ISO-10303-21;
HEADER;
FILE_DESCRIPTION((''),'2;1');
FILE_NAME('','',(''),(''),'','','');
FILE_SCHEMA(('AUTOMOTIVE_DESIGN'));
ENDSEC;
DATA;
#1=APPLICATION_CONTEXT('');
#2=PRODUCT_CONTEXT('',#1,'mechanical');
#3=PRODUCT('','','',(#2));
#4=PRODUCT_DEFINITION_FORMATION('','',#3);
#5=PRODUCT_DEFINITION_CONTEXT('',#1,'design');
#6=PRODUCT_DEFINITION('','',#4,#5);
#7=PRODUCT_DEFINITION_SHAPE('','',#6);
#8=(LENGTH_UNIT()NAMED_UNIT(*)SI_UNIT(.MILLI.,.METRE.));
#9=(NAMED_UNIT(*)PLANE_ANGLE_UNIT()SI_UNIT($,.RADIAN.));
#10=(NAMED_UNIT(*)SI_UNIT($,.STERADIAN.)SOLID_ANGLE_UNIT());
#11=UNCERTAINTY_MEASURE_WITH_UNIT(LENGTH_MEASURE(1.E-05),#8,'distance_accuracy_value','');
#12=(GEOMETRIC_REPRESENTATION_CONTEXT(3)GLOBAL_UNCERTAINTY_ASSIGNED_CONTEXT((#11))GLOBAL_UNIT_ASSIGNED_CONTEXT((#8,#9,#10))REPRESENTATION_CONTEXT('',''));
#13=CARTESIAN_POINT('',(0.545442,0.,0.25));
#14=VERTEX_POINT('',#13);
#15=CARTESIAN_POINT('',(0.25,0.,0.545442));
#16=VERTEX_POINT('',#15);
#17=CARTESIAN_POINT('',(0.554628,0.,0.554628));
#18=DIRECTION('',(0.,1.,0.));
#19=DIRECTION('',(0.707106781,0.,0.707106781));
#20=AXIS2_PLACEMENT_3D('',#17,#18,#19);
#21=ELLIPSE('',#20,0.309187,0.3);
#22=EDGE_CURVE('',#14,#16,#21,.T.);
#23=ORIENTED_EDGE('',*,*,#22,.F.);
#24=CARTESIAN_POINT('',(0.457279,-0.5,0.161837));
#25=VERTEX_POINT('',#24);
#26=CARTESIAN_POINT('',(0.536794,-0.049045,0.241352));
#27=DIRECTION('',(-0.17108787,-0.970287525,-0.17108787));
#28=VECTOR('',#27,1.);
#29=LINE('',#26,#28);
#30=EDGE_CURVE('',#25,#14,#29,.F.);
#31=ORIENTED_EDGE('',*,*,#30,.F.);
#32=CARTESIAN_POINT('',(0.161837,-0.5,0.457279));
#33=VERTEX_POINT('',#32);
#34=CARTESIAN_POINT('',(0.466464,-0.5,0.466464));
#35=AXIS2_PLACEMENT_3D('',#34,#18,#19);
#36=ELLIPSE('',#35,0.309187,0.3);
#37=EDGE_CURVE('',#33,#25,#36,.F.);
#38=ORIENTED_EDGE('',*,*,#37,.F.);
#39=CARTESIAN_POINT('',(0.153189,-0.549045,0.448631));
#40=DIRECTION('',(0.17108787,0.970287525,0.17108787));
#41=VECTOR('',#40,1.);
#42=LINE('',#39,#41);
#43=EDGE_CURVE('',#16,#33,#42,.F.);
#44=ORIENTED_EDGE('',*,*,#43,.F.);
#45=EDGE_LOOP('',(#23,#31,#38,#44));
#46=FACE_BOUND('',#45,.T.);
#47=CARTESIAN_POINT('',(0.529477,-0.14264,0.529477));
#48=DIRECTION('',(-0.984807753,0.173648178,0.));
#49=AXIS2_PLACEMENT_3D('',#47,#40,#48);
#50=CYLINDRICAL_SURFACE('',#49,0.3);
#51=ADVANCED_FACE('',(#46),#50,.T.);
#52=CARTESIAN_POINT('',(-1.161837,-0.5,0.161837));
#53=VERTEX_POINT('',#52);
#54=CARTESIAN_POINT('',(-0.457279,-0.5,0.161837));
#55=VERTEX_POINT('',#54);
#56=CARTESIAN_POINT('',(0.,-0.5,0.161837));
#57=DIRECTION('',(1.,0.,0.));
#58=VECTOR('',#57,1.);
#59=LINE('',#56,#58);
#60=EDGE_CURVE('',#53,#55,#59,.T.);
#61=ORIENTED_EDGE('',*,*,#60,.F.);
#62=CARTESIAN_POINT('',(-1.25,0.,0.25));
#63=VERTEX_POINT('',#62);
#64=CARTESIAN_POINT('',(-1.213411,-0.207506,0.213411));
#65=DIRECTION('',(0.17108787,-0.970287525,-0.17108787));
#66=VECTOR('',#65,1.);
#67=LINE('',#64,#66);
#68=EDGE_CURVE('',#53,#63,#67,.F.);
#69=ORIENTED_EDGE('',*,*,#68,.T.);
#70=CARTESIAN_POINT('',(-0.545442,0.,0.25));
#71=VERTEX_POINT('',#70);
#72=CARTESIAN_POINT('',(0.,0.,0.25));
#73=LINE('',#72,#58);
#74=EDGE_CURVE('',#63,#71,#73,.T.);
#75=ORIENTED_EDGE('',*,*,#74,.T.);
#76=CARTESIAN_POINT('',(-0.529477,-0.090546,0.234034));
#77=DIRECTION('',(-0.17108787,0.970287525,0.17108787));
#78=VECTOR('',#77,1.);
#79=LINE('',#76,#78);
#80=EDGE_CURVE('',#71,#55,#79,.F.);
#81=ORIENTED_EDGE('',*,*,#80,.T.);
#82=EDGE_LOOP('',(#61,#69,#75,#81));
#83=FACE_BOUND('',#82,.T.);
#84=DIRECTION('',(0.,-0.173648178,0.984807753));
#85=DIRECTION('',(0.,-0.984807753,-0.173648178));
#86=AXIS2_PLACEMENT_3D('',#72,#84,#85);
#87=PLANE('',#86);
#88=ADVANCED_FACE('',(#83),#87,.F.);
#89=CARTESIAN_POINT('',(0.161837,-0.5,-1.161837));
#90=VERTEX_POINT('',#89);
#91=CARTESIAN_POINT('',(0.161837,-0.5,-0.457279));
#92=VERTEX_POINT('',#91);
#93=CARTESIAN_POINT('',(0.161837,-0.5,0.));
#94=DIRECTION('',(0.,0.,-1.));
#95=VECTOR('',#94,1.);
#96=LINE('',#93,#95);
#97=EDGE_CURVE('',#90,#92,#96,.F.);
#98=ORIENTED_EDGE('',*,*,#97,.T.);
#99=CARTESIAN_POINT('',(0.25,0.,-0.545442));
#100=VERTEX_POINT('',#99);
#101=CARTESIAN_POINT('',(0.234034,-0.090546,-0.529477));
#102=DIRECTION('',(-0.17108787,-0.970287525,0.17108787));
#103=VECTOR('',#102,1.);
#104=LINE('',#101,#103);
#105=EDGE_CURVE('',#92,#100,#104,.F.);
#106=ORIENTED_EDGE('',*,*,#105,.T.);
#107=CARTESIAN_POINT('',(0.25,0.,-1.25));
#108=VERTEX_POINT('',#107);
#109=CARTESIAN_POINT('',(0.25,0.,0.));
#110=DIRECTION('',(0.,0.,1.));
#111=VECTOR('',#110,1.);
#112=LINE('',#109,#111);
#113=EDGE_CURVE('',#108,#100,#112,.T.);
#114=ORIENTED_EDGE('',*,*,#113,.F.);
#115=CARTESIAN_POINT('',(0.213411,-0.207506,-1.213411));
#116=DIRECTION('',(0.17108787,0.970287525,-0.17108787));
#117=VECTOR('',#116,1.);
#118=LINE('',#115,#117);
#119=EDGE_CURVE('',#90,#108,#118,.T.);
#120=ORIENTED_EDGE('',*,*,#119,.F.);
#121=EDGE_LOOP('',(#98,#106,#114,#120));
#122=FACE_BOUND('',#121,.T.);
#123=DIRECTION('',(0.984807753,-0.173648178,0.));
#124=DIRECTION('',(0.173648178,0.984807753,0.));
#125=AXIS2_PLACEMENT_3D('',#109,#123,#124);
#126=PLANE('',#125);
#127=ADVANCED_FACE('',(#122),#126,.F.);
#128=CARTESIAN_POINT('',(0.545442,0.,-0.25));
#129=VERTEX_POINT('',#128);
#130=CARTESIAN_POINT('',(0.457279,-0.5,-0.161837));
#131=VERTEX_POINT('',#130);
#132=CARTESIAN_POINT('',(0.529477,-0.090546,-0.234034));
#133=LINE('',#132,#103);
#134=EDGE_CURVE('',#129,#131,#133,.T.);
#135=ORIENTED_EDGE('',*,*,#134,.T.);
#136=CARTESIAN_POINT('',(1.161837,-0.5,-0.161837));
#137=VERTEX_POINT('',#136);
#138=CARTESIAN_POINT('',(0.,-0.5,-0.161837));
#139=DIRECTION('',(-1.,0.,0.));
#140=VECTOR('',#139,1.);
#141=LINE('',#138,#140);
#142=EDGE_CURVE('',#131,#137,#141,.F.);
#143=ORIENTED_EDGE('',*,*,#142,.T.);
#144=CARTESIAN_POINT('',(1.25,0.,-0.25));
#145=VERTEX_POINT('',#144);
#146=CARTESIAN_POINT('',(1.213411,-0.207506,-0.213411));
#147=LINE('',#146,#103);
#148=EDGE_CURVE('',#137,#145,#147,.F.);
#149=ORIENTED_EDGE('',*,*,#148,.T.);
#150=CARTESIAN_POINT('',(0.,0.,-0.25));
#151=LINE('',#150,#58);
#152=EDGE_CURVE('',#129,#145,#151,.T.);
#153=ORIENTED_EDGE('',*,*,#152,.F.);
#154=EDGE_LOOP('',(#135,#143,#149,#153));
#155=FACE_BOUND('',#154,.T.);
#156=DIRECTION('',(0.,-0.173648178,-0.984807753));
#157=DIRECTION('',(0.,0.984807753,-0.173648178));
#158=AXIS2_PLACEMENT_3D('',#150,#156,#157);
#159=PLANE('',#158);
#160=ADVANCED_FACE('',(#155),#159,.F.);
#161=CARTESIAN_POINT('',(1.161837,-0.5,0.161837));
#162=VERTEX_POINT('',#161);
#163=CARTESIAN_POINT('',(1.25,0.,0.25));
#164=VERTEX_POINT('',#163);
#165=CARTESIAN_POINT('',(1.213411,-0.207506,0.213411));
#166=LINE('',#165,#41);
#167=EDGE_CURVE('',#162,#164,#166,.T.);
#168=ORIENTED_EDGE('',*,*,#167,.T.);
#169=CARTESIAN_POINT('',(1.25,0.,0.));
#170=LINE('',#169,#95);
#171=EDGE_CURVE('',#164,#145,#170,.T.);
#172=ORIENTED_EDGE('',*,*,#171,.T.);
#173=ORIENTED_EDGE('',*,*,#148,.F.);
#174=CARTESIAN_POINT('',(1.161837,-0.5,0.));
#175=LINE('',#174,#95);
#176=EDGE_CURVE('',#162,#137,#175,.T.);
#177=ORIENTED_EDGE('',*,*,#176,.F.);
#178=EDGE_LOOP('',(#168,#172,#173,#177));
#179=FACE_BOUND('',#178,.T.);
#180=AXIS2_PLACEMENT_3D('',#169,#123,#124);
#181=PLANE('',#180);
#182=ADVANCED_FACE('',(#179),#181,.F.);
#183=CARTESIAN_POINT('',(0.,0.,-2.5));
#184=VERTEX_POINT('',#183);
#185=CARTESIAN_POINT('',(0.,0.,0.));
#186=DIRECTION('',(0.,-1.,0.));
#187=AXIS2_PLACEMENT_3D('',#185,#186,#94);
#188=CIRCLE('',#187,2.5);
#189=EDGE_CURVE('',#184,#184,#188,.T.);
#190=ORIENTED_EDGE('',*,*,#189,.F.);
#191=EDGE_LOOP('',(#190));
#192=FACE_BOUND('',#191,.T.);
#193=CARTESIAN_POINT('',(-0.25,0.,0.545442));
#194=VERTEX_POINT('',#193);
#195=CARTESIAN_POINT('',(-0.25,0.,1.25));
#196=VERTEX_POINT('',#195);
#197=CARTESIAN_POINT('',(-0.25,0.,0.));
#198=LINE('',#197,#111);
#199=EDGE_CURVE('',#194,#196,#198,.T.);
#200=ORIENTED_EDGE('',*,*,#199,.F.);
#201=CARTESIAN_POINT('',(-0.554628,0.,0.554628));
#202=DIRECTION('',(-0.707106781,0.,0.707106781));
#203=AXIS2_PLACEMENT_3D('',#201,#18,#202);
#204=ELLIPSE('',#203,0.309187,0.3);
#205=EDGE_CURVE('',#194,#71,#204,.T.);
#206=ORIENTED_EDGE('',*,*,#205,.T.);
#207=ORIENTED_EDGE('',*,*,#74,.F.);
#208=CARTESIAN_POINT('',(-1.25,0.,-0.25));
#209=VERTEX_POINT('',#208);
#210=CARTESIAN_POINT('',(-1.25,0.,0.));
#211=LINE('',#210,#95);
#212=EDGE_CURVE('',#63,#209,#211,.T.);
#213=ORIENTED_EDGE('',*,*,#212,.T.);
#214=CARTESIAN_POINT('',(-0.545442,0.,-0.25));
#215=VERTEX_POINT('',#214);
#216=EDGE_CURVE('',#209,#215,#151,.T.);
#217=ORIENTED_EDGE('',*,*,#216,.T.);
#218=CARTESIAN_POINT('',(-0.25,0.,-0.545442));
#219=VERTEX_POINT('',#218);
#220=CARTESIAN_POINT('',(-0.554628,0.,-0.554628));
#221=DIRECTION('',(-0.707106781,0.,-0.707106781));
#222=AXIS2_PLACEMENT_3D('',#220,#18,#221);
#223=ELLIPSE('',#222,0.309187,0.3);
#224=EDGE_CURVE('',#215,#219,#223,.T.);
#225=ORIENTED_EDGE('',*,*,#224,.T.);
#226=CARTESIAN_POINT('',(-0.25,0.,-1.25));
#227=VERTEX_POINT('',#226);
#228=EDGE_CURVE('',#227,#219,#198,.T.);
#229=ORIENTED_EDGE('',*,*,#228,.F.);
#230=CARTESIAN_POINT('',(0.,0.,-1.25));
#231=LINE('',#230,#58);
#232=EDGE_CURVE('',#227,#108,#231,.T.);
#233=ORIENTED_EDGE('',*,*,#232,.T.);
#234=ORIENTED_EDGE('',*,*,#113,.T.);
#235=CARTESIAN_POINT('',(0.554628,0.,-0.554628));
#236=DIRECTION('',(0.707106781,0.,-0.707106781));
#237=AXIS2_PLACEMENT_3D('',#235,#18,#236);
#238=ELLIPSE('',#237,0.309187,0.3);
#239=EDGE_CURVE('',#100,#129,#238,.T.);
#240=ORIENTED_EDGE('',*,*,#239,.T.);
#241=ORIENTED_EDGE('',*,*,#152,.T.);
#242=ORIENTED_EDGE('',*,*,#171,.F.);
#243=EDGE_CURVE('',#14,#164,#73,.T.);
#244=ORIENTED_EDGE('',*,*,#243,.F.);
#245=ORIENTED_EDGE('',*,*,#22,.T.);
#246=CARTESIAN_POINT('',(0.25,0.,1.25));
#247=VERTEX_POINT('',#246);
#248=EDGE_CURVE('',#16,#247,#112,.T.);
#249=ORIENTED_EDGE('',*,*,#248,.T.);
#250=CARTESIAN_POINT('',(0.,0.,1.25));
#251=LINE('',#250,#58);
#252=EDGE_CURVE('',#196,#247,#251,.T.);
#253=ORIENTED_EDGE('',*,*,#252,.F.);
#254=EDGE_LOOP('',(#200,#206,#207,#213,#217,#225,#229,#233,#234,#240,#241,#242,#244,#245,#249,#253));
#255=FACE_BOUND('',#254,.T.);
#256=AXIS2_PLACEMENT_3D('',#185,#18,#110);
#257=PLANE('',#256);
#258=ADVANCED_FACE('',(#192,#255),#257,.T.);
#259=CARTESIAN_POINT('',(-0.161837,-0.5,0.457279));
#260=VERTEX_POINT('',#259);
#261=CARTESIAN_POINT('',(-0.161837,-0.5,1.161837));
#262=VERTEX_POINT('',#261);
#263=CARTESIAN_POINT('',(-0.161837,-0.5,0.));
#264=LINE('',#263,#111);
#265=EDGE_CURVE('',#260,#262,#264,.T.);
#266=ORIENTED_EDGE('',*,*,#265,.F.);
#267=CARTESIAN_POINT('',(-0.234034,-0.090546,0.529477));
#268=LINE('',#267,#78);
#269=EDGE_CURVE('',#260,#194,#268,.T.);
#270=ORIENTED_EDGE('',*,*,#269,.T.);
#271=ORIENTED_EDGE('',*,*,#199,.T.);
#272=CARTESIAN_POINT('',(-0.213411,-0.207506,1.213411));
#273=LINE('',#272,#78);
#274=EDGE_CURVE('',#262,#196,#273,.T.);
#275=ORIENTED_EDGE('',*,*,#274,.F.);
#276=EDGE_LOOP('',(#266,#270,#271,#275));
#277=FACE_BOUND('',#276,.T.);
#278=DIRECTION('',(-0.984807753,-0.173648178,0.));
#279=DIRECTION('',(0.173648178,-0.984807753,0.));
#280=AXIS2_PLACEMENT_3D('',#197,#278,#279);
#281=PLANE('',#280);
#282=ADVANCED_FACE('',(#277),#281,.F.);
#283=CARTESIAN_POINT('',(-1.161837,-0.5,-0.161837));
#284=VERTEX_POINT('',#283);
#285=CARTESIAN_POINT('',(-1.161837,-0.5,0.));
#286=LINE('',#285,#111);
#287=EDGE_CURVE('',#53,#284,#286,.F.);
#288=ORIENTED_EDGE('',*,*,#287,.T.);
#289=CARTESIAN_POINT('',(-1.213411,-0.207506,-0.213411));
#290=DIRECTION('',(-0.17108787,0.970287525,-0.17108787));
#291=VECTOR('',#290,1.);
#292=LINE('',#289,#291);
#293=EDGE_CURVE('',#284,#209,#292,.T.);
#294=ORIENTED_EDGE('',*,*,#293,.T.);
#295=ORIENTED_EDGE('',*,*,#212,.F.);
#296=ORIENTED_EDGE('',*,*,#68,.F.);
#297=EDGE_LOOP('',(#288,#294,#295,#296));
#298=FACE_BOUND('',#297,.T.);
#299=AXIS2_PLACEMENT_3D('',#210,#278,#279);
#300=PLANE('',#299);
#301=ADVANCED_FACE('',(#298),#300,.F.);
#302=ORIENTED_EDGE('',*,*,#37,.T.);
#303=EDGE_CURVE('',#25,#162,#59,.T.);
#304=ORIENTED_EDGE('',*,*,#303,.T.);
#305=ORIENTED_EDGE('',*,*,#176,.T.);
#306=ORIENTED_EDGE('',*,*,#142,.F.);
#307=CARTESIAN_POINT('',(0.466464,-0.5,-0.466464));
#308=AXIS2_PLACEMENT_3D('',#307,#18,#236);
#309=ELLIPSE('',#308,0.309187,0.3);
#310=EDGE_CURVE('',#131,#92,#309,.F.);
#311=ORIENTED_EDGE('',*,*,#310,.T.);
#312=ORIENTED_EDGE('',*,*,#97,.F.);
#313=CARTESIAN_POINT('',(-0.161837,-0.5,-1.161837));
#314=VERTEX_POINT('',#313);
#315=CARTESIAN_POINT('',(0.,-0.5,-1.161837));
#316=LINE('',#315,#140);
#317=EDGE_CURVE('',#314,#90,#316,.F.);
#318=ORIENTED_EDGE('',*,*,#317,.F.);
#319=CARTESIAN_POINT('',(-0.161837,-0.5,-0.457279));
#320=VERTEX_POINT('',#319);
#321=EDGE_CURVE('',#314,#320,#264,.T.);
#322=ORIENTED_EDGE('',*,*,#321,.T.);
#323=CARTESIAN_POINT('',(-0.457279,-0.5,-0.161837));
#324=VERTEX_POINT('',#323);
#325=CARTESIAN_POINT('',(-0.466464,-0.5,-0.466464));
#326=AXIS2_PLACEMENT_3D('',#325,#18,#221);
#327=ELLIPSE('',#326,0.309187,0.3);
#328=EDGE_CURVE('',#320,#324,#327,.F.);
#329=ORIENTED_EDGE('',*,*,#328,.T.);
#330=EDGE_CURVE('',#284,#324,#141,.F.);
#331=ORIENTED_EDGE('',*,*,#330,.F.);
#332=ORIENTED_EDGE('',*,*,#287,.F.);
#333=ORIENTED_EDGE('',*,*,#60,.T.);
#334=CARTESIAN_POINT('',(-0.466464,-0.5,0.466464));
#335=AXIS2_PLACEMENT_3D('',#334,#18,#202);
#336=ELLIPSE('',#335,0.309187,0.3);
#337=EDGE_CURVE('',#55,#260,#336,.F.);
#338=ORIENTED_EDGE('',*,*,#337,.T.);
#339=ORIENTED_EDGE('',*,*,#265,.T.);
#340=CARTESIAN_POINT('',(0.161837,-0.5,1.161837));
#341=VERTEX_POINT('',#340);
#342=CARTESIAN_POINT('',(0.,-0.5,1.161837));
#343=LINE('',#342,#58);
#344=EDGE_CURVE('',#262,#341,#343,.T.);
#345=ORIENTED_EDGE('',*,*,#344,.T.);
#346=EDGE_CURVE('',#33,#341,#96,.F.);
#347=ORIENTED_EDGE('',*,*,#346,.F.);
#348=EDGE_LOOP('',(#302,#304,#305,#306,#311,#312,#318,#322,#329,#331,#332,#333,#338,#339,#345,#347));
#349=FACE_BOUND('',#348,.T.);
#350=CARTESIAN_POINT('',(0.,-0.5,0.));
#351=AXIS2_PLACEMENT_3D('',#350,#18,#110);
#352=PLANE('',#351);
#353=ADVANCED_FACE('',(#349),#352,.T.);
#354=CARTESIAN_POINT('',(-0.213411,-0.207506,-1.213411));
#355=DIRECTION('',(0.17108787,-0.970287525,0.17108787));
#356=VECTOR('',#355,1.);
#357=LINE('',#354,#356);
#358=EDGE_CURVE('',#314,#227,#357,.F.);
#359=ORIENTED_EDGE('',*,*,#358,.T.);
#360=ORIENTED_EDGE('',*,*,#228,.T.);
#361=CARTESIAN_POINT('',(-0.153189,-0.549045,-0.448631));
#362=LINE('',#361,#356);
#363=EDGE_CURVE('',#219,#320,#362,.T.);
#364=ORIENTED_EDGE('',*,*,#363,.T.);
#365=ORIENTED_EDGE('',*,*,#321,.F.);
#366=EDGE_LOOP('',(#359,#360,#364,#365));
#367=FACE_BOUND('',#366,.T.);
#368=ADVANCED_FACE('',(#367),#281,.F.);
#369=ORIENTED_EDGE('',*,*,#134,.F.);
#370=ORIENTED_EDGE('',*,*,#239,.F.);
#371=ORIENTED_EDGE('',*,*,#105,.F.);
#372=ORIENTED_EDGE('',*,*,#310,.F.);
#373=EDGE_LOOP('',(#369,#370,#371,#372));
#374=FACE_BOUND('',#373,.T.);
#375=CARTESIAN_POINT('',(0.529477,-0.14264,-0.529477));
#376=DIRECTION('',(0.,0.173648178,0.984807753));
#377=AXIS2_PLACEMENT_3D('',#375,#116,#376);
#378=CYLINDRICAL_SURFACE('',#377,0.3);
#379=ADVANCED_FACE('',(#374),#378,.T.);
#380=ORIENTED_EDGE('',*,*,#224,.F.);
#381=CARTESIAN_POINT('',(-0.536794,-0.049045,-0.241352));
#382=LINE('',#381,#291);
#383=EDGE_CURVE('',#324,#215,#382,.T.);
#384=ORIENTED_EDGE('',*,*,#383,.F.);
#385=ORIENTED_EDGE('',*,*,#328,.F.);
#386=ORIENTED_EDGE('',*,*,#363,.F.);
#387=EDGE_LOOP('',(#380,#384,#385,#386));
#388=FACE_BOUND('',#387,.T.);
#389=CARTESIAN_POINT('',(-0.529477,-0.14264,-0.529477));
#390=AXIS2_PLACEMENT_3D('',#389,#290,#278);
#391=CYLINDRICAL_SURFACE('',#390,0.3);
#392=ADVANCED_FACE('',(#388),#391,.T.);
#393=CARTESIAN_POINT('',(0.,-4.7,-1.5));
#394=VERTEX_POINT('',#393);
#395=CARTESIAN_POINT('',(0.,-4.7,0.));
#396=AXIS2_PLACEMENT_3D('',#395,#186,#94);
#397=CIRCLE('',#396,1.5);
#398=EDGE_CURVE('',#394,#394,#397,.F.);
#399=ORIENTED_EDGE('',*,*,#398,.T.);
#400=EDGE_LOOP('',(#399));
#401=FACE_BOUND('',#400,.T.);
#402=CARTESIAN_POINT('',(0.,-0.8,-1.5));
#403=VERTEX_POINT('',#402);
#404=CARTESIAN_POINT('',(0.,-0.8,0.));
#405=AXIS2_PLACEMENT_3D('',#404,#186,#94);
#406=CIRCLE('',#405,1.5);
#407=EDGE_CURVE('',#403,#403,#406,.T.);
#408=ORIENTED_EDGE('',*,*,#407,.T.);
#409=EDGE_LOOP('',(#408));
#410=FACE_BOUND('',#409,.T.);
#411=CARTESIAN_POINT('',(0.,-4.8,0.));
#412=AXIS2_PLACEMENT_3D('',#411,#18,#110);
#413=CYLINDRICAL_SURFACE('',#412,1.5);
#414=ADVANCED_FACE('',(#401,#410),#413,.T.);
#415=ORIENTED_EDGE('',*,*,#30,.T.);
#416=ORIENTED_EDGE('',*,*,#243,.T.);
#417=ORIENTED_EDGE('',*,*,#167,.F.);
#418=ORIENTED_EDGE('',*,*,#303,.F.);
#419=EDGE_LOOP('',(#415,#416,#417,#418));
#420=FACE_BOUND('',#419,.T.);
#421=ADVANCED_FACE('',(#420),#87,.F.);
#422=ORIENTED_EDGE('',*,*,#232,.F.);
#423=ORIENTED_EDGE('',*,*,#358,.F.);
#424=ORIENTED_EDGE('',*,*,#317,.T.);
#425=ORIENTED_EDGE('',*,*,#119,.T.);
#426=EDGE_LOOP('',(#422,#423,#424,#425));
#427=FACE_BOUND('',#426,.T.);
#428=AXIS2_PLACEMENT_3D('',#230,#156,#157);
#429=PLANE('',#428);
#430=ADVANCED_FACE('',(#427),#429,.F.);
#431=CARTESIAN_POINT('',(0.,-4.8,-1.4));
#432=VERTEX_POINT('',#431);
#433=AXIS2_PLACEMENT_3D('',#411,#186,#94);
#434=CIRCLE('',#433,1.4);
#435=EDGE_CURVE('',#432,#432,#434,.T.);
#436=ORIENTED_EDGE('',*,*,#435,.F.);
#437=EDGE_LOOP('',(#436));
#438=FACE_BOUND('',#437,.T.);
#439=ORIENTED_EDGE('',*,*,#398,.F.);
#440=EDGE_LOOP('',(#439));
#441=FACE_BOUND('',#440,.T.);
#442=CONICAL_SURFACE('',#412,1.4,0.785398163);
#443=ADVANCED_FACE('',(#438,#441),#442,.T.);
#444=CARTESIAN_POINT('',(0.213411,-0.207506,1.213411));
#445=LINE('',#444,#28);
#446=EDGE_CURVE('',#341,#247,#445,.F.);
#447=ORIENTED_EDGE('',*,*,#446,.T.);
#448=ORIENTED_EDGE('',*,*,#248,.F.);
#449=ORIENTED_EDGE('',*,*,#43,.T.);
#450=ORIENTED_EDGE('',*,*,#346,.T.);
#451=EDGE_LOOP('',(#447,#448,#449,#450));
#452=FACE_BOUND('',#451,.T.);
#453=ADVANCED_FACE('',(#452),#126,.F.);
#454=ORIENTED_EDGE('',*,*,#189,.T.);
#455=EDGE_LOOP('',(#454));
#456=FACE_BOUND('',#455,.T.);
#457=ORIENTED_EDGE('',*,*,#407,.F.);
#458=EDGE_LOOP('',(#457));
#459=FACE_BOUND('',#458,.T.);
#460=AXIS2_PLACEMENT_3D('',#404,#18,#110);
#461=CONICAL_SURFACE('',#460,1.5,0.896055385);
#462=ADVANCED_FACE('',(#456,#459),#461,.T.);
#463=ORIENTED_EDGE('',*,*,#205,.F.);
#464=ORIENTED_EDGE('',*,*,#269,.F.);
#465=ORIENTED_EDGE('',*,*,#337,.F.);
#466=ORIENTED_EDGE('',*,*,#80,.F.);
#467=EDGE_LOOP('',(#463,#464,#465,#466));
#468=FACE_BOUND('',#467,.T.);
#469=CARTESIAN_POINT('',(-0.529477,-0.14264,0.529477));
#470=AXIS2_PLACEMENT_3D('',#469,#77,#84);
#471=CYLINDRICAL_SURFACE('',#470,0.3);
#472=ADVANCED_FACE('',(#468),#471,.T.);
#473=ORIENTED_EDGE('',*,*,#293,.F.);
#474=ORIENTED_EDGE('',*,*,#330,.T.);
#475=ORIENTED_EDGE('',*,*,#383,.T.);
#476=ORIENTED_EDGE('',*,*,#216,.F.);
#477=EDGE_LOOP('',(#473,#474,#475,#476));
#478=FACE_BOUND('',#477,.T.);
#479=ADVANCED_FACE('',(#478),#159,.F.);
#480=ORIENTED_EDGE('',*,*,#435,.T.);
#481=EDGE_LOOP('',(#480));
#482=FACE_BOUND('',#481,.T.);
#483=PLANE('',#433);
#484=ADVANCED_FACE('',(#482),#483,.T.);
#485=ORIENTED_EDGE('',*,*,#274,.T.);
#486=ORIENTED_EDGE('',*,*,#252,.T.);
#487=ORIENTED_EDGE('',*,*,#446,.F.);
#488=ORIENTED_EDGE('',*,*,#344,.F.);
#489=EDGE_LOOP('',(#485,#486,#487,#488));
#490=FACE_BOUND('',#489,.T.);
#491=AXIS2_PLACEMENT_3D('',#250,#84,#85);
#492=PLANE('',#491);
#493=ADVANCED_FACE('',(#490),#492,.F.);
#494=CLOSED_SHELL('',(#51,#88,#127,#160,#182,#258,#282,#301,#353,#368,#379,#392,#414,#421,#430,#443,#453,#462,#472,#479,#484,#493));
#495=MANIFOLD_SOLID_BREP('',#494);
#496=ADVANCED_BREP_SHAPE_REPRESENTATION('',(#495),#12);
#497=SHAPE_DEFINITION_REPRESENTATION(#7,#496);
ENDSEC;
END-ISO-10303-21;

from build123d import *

# Parameters (mm, degrees)
SKETCH_2_R                    = 1.5
EXTRUDE_1_DEPTH               = 4
CHAMFER_1_SIZE                = 0.1
SKETCH_3_W                    = 2.5
SKETCH_3_H                    = 0.5
CUT_EXTRUDE_1_DEPTH           = 0.5
CUT_EXTRUDE_1_DRAFT           = -10
SKETCH_3_W_2                  = 0.5
SKETCH_3_H_2                  = 2.5
CUT_EXTRUDE_1_PROFILE_2_DEPTH = 0.5
CUT_EXTRUDE_1_PROFILE_2_DRAFT = -10
FILLET_1_R                    = 0.3


with BuildPart() as part:
    # 草图1 → 旋转1 (revolve)
    with BuildSketch(Plane.XY, mode=Mode.PRIVATE) as revolve_1_sk:
        Polygon((0, 0), (2.5, 0), (1.5, -0.8), (0, -0.8), align=None)
    revolve(revolve_1_sk.sketch.rotate(Axis((0, -0.8, 0), (0, 1, 0)), 90), axis=Axis((0, -0.8, 0), (0, 1, 0)))

    # 草图2 → 凸台-拉伸1 (add)
    with BuildSketch(Plane.XZ.offset(0.8)):
        with Locations(Location((0, 0, 0), (0, 0, 270))):
            Circle(SKETCH_2_R)
    extrude(amount=EXTRUDE_1_DEPTH)

    # 倒角1
    chamfer_1_edges = [part.edges().sort_by_distance(p)[0] for p in [
        (0, -4.8, 1.5),
    ]]
    chamfer(chamfer_1_edges, length=CHAMFER_1_SIZE)


with BuildPart() as cut_extrude_1_tool:
    # 草图3 → 切除-拉伸1 (with draft: the straight prism first)
    with BuildSketch(Plane(origin=(0, 0, 0), x_dir=(1, 0, 0), z_dir=(0, 1, 0))):
        Rectangle(SKETCH_3_W, SKETCH_3_H)
    extrude(amount=-CUT_EXTRUDE_1_DEPTH)
    # 切除-拉伸1: the draft: its side faces are tilted about the plane it starts from
    cut_extrude_1_sides = [cut_extrude_1_tool.faces().sort_by_distance(p)[0] for p in [
        (0, -0.25, 0.25),
        (1.25, -0.25, 0),
        (0, -0.25, -0.25),
        (-1.25, -0.25, 0),
    ]]
    draft(cut_extrude_1_sides, Plane(origin=(0, 0, 0), x_dir=(1, 0, 0), z_dir=(0, 1, 0)), CUT_EXTRUDE_1_DRAFT)


with BuildPart() as part_1:
    add(part.part)

    # 切除-拉伸1: cut by cut_extrude_1_tool
    add(cut_extrude_1_tool.part, mode=Mode.SUBTRACT)


with BuildPart() as cut_extrude_1_profile_2_tool:
    # 草图3 → 切除-拉伸1 profile 2 (with draft: the straight prism first)
    with BuildSketch(Plane(origin=(0, 0, 0), x_dir=(1, 0, 0), z_dir=(0, 1, 0))):
        Rectangle(SKETCH_3_W_2, SKETCH_3_H_2)
    extrude(amount=-CUT_EXTRUDE_1_PROFILE_2_DEPTH)
    # 切除-拉伸1 profile 2: the draft: its side faces are tilted about the plane it starts from
    cut_extrude_1_profile_2_sides = [cut_extrude_1_profile_2_tool.faces().sort_by_distance(p)[0] for p in [
        (-0.25, -0.25, 0),
        (0, -0.25, 1.25),
        (0.25, -0.25, 0),
        (0, -0.25, -1.25),
    ]]
    draft(cut_extrude_1_profile_2_sides, Plane(origin=(0, 0, 0), x_dir=(1, 0, 0), z_dir=(0, 1, 0)), CUT_EXTRUDE_1_PROFILE_2_DRAFT)


with BuildPart() as part_2:
    add(part_1.part)

    # 切除-拉伸1 profile 2: cut by cut_extrude_1_profile_2_tool
    add(cut_extrude_1_profile_2_tool.part, mode=Mode.SUBTRACT)

    # 圆角1
    fillet_1_edges = [part_2.edges().sort_by_distance(p)[0] for p in [
        (0.205918255, -0.25, -0.205918255),
        (0.205918255, -0.25, 0.205918255),
        (-0.205918255, -0.25, 0.205918255),
        (-0.205918255, -0.25, -0.205918255),
    ]]
    fillet(fillet_1_edges, radius=FILLET_1_R)


solid = part_2.part
